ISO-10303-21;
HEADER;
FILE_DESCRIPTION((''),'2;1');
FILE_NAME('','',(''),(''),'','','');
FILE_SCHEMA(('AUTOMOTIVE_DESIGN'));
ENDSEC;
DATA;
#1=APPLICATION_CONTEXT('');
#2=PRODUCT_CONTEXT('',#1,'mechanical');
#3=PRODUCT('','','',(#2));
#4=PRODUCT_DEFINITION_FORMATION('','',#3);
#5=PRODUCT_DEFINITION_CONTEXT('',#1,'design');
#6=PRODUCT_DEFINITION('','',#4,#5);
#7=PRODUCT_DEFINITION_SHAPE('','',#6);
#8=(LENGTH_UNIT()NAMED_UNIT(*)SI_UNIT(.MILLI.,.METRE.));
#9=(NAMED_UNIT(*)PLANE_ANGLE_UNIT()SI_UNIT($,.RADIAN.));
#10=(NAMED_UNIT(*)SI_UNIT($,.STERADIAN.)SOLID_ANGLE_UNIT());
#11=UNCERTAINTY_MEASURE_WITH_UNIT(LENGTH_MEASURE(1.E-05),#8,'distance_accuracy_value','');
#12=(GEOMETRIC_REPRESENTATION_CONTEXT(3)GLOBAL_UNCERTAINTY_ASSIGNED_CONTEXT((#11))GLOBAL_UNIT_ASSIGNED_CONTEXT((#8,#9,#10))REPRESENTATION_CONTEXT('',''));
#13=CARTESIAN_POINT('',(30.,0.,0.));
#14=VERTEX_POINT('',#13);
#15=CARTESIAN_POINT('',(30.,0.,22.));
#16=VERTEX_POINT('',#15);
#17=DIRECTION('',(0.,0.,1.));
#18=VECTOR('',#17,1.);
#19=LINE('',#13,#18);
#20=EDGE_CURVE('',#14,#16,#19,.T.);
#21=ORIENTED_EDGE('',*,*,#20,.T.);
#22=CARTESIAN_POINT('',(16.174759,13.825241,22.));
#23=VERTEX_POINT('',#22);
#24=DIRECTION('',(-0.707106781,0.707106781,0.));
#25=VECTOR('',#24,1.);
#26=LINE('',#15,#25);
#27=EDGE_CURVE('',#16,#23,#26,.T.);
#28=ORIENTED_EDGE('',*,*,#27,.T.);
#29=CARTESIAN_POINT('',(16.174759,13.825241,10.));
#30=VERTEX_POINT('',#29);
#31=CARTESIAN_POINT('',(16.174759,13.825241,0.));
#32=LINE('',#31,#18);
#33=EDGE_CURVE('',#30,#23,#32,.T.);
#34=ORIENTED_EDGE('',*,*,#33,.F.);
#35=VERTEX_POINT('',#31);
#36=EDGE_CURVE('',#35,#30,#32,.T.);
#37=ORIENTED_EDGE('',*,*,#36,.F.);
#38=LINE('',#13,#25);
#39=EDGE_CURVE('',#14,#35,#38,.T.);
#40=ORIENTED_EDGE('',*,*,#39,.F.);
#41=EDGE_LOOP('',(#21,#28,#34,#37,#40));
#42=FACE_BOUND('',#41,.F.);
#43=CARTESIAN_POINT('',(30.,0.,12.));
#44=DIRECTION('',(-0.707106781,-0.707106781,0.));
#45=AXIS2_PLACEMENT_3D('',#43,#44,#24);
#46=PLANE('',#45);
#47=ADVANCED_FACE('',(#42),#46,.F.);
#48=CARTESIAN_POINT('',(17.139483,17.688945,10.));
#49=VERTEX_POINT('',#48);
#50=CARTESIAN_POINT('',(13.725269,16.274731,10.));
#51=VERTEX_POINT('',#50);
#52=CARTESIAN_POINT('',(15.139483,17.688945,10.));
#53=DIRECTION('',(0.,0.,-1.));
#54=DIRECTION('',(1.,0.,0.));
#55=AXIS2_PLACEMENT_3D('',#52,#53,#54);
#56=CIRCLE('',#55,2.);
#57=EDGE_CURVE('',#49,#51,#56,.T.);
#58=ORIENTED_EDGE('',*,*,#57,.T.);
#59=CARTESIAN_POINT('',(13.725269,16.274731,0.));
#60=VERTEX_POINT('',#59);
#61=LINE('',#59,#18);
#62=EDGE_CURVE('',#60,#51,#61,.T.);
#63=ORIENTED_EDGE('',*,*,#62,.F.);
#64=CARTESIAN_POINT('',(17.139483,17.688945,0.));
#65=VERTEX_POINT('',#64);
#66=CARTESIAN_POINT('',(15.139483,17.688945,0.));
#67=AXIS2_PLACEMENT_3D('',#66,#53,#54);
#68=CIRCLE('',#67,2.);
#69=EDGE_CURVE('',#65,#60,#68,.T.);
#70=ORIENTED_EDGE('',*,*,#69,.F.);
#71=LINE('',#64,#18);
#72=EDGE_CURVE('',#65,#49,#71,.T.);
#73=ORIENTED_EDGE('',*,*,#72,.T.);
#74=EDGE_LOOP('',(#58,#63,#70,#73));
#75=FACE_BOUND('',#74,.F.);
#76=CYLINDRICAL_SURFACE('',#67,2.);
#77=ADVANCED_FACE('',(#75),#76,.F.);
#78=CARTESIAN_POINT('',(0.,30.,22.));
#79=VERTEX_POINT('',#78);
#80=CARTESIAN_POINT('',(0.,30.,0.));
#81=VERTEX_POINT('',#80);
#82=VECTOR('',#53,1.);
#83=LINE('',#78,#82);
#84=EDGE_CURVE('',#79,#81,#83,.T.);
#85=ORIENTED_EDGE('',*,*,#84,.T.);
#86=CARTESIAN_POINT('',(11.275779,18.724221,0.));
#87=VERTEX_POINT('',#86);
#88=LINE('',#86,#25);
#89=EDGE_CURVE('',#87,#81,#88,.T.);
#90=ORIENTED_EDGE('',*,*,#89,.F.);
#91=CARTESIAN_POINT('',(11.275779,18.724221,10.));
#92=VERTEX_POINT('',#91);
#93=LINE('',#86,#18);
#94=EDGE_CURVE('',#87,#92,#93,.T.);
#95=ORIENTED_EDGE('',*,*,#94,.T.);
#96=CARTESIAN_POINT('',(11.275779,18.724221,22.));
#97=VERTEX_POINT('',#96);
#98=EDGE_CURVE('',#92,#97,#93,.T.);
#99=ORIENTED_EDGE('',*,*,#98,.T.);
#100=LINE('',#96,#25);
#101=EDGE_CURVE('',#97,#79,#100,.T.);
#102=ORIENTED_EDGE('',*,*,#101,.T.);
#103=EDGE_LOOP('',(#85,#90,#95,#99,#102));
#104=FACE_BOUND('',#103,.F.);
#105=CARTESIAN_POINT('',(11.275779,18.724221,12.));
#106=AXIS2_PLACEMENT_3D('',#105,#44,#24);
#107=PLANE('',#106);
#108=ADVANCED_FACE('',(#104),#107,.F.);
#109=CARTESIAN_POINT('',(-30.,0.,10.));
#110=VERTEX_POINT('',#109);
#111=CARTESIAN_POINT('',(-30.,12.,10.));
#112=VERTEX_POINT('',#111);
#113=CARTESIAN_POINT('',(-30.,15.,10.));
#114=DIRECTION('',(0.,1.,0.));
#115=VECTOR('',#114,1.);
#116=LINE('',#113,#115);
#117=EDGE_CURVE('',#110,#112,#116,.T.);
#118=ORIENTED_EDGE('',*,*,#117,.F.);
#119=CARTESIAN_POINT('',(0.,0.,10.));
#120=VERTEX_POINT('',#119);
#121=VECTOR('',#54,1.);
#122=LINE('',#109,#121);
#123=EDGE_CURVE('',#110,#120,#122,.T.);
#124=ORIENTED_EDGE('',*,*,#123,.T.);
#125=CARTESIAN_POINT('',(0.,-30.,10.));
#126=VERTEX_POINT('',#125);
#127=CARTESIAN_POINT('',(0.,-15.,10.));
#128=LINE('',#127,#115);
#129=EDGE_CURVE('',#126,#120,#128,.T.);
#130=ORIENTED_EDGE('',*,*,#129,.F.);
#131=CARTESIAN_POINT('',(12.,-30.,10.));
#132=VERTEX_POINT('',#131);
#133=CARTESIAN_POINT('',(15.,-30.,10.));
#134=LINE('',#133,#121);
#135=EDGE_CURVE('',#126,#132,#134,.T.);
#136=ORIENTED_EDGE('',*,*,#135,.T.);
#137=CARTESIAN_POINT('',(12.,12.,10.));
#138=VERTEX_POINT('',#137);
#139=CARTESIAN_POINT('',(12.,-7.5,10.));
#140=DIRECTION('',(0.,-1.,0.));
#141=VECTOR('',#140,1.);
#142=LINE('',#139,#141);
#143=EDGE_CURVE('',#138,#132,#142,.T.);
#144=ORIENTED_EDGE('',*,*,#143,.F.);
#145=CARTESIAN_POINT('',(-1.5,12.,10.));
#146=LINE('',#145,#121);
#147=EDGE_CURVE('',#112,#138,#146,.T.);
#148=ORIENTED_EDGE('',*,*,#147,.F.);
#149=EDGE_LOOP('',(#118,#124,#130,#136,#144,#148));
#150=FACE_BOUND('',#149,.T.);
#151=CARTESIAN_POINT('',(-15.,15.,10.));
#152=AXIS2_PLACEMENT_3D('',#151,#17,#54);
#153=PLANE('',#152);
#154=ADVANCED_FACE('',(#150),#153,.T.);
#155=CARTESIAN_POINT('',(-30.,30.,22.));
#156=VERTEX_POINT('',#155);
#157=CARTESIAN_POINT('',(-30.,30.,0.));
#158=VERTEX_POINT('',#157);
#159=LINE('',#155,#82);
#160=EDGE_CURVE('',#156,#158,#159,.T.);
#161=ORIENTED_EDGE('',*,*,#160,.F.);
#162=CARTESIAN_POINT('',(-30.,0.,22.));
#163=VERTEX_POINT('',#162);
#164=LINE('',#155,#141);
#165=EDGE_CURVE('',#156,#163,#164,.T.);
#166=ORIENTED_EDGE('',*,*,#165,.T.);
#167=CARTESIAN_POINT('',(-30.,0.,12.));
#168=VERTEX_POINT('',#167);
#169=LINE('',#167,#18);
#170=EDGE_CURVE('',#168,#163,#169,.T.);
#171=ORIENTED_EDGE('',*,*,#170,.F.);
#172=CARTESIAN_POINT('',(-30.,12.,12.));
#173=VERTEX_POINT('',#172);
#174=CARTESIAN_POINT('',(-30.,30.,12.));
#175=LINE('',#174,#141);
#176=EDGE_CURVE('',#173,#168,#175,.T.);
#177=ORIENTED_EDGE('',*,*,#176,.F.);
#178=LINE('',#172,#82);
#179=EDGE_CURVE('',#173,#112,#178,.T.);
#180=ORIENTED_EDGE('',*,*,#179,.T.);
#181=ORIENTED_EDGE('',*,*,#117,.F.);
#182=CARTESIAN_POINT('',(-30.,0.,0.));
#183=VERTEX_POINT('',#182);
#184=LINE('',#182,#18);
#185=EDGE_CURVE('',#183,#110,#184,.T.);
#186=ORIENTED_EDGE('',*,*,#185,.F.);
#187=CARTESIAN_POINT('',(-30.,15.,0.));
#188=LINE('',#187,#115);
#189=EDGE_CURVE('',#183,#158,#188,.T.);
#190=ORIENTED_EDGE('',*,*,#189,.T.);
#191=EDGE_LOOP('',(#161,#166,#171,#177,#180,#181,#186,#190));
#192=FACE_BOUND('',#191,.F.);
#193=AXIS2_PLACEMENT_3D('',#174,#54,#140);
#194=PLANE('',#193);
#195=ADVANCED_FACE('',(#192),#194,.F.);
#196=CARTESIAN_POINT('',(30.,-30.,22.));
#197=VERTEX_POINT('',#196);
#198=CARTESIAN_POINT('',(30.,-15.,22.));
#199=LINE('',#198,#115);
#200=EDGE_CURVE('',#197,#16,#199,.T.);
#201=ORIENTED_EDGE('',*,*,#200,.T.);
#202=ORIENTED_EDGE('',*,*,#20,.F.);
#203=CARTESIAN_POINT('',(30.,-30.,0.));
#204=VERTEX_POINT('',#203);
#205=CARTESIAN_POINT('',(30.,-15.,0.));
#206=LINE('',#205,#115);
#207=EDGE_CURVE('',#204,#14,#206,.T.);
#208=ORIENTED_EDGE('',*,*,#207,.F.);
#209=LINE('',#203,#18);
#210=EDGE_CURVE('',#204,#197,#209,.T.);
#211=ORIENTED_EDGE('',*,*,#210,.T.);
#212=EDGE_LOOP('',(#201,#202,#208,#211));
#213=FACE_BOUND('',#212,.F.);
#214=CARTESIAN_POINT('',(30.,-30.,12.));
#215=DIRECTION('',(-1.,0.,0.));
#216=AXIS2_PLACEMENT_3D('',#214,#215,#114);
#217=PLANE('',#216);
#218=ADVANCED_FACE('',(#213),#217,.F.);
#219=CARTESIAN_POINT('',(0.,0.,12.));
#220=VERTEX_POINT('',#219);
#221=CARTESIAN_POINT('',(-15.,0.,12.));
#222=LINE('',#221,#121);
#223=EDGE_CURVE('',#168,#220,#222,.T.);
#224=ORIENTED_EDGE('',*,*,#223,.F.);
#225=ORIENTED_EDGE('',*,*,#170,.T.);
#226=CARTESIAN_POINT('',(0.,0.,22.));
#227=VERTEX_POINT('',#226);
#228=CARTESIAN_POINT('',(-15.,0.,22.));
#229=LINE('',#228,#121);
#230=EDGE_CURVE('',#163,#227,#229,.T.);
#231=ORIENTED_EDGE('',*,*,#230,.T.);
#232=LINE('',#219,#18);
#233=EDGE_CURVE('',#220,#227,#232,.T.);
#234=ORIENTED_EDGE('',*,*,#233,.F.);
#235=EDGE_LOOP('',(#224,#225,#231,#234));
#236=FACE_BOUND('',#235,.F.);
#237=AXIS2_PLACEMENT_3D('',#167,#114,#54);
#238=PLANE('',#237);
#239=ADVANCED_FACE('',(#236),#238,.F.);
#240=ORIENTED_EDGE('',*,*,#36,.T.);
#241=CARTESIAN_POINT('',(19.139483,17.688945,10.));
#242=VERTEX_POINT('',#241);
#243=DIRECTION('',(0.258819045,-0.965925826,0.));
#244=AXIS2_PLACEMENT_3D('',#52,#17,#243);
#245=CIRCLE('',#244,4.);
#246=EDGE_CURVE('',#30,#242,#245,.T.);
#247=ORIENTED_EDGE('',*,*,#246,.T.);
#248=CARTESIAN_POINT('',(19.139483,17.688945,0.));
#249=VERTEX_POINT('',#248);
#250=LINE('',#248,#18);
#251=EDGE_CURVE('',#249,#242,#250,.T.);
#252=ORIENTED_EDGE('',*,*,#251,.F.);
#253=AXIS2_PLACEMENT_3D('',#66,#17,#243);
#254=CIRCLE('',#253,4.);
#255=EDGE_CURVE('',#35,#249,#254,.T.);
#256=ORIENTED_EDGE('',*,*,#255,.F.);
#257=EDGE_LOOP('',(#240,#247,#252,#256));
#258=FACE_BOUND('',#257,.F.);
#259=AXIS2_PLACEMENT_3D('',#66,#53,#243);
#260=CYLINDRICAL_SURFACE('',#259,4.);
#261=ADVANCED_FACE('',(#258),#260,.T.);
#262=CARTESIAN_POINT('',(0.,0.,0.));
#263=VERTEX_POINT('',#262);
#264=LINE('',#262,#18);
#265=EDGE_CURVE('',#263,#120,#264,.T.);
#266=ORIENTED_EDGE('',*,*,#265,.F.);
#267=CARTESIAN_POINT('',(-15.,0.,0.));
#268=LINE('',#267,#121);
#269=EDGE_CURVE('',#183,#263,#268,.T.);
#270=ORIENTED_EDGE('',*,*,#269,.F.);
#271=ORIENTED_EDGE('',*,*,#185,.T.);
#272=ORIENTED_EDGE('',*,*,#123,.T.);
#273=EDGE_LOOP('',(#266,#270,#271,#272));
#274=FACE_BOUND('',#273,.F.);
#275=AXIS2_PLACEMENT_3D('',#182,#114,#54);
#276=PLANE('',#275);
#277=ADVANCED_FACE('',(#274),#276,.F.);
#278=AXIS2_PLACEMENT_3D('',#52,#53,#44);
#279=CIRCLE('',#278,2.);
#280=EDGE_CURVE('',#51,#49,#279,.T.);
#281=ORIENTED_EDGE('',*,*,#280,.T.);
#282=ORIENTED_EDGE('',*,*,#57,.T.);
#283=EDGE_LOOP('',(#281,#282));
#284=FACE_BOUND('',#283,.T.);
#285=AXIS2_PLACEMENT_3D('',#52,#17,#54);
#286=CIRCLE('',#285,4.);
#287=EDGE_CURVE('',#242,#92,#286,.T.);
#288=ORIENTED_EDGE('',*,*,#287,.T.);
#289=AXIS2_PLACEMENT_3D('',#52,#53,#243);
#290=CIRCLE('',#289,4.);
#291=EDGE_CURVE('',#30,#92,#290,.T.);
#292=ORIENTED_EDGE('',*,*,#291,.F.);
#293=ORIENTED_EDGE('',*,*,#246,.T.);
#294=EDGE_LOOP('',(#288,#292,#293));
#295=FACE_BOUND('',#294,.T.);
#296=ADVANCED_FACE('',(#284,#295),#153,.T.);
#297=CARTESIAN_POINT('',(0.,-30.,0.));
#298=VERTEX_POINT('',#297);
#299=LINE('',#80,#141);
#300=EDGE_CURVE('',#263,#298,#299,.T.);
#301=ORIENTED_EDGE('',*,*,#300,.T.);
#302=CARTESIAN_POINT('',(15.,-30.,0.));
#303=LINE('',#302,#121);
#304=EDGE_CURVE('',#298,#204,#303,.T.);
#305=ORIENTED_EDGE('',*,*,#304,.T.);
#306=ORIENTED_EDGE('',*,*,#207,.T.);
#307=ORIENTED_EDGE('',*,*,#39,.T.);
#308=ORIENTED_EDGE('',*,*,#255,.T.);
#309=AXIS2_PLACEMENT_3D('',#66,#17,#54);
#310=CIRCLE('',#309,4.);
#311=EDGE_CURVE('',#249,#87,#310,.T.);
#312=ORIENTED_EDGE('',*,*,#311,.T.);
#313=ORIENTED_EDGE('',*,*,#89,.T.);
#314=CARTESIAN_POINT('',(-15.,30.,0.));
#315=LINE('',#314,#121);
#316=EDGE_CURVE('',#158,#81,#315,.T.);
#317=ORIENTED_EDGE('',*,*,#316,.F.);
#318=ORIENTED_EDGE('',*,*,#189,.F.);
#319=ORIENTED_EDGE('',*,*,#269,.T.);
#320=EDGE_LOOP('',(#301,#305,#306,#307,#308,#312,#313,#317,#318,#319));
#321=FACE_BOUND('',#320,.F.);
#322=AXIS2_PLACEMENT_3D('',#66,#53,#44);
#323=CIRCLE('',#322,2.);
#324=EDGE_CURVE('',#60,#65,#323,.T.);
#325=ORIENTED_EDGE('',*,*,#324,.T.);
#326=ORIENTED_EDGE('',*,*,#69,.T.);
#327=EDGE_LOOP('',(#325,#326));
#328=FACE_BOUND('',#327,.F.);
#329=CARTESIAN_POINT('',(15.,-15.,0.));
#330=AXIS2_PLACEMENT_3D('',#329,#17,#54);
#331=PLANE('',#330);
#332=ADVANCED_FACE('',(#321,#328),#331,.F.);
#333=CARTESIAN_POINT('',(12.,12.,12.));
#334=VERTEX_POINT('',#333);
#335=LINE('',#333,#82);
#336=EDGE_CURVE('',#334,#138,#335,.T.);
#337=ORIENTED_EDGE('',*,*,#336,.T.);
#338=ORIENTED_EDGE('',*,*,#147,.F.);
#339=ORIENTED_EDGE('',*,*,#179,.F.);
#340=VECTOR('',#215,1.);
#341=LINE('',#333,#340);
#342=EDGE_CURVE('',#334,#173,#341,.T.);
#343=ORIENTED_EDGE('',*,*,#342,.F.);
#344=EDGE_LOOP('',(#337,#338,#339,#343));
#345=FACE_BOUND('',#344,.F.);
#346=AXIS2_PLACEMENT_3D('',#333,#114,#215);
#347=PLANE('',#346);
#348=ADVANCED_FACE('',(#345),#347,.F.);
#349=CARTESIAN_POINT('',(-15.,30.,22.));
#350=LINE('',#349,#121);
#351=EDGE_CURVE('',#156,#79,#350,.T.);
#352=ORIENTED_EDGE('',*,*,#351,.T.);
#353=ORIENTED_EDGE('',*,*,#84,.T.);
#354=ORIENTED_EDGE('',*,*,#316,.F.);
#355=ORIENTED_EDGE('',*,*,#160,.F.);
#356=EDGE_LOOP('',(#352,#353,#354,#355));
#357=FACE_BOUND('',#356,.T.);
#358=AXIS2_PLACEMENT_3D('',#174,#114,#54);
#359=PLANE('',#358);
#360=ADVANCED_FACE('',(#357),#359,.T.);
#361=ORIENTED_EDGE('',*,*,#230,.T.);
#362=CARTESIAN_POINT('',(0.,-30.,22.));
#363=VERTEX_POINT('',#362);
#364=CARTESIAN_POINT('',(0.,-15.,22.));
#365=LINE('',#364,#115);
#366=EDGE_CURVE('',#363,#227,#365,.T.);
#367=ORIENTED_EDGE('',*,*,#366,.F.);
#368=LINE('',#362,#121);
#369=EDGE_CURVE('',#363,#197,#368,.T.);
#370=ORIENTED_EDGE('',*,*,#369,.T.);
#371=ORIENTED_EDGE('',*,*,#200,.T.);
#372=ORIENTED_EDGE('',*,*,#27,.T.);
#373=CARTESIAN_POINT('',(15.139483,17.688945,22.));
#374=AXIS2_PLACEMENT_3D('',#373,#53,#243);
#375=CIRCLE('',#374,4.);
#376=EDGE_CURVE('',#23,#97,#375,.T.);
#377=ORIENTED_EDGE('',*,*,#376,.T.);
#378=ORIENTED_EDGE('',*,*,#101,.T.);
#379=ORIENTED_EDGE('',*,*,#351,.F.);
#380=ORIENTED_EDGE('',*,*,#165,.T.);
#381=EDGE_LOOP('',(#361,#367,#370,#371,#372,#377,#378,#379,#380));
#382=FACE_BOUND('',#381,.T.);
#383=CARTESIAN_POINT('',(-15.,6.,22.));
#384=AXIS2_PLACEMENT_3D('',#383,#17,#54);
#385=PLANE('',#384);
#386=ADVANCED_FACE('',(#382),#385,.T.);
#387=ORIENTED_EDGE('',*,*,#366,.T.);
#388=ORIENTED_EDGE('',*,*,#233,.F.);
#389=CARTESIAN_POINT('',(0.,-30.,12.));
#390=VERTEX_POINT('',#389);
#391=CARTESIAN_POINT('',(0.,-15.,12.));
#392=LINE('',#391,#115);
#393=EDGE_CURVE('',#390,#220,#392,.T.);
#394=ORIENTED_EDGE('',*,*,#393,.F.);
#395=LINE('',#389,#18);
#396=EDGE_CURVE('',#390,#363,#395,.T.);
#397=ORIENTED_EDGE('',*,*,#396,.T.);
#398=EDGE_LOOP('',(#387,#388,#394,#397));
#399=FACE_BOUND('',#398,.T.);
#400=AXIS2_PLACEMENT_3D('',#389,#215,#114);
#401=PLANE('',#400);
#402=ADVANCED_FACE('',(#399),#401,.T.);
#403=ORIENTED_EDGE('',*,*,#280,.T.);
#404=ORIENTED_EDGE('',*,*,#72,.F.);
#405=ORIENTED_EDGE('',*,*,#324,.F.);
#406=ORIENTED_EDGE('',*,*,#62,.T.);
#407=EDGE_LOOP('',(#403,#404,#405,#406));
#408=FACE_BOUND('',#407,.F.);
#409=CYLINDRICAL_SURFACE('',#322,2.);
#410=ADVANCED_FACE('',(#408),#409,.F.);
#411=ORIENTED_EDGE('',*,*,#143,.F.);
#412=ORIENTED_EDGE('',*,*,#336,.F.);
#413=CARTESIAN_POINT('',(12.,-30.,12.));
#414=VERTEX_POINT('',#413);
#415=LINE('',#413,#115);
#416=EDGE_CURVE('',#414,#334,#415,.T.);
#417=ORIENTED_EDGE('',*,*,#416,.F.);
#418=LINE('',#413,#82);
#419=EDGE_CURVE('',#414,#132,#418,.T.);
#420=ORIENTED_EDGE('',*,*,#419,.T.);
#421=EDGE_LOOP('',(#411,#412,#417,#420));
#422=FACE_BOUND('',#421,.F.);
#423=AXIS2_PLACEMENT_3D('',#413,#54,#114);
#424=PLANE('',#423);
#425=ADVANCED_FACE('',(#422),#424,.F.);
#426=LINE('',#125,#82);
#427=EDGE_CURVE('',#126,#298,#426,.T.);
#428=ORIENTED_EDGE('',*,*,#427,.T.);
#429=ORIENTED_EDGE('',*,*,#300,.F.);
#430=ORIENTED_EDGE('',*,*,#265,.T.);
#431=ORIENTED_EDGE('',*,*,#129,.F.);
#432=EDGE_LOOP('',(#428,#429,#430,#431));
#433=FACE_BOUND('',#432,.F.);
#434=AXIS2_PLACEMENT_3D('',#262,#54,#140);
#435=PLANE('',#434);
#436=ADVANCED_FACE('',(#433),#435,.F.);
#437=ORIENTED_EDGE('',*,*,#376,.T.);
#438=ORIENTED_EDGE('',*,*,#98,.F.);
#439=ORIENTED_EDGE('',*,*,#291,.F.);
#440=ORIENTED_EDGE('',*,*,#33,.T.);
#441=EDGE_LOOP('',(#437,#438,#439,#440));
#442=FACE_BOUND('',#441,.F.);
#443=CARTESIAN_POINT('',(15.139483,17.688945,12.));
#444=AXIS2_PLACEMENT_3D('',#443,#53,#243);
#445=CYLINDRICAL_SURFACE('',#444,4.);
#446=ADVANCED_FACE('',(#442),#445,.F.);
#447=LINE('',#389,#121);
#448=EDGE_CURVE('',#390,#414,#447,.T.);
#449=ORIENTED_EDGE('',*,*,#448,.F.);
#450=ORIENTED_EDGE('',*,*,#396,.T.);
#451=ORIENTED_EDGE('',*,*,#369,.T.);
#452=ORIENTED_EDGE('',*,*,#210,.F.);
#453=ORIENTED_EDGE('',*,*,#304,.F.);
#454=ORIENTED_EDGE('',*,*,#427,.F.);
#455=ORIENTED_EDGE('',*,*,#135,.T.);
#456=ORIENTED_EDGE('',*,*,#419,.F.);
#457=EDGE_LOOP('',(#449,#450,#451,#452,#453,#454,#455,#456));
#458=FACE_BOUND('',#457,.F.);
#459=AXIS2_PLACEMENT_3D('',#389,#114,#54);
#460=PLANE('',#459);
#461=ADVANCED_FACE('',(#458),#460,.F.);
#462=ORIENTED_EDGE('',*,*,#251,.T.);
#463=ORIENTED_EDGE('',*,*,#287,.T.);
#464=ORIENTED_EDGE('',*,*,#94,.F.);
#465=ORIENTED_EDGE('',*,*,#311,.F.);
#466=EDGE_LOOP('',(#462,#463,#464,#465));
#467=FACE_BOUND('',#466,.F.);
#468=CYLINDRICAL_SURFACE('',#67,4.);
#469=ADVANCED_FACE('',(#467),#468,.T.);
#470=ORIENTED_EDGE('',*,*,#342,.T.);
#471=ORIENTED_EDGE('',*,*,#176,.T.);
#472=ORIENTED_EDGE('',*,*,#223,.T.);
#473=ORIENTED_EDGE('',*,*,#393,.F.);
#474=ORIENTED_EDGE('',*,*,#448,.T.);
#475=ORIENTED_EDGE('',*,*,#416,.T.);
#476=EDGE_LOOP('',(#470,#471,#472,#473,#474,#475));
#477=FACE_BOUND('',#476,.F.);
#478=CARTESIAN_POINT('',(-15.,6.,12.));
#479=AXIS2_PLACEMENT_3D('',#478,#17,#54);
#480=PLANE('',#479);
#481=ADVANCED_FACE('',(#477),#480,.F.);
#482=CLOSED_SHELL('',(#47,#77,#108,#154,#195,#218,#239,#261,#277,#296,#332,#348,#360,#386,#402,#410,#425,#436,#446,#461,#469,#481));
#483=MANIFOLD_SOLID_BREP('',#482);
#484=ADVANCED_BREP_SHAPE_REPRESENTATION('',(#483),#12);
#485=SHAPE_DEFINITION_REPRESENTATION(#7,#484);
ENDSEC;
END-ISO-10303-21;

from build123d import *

# Parameters (mm, degrees)
F0_W     = 30
F0_H     = 30
F1_DEPTH = 12
F2_W     = 12
F2_H     = 30
F2_H_2   = 12
F2_W_2   = 30
F3_DEPTH = 3.5
F4_W     = 30
F4_H     = 12
F4_W_2   = 12
F4_H_2   = 30
F4_H_3   = 18
F4_W_3   = 18
F5_DEPTH = 10
F6_DEPTH = 10


with BuildPart() as f1:
    # F0 (on Top) → F1 (new body)
    with BuildSketch(Plane.XY):
        with Locations((15, -15)):
            Rectangle(F0_W, F0_H)
        with BuildLine():
            Line((0, 30), (0, 0))
            Line((0, 0), (30, 0))
            Line((30, 0), (16.1747587326, 13.8252412674))
            ThreePointArc((16.1747587326, 13.8252412674), (12.3110554274, 14.8605174478), (11.275779247, 18.724220753))
            Line((11.275779247, 18.724220753), (0, 30))
        make_face()
        with Locations((-15, 15)):
            Rectangle(F0_W, F0_H)
    extrude(amount=F1_DEPTH)

    # F2 (on face) → F3 (cut)
    with BuildSketch(Plane.XY.offset(12)):
        with Locations((6, -15)):
            Rectangle(F2_W, F2_H)
        with Locations((6, 6)):
            Rectangle(F2_W, F2_H_2)
        with Locations((-15, 6)):
            Rectangle(F2_W_2, F2_H_2)
    extrude(amount=-F3_DEPTH, mode=Mode.SUBTRACT)

    # F4 (on face) → F5 (join)
    with BuildSketch(Plane.XY.offset(12)):
        with Locations((-15, 6)):
            Rectangle(F4_W, F4_H)
        with Locations((6, -15)):
            Rectangle(F4_W_2, F4_H_2)
        with BuildLine():
            Line((11.275779247, 18.724220753), (0, 30))
            Line((0, 30), (0, 12))
            Line((0, 12), (12, 12))
            Line((12, 12), (12, 0))
            Line((12, 0), (30, 0))
            Line((30, 0), (16.1747587326, 13.8252412674))
            ThreePointArc((16.1747587326, 13.8252412674), (12.3110554274, 14.8605174478), (11.275779247, 18.724220753))
        make_face()
        with Locations((6, 6)):
            Rectangle(F4_W_2, F4_H)
        with Locations((-15, 21)):
            Rectangle(F4_W, F4_H_3)
        with Locations((21, -15)):
            Rectangle(F4_W_3, F4_H_2)
    extrude(amount=F5_DEPTH)

    # F0 (on Top) → F6 (join)
    with BuildSketch(Plane.XY):
        with Locations((-15, 15)):
            Rectangle(F0_W, F0_H)
        with BuildLine():
            Line((0, 30), (0, 0))
            Line((0, 0), (30, 0))
            Line((30, 0), (16.1747587326, 13.8252412674))
            ThreePointArc((16.1747587326, 13.8252412674), (12.3110554274, 14.8605174478), (11.275779247, 18.724220753))
            Line((11.275779247, 18.724220753), (0, 30))
        make_face()
        with Locations((15, -15)):
            Rectangle(F0_W, F0_H)
        with BuildLine():
            ThreePointArc((19.1394825522, 17.6889445726), (15.6615873211, 21.6547240181), (11.275779247, 18.724220753))
            Line((11.275779247, 18.724220753), (13.7252689898, 16.2747310102))
            Line((13.7252689898, 16.2747310102), (16.1747587326, 13.8252412674))
            ThreePointArc((16.1747587326, 13.8252412674), (18.3128959133, 15.2538988565), (19.1394825522, 17.6889445726))
        make_face()
        with BuildLine():
            ThreePointArc((17.1394825522, 17.6889445726), (15.9048494169, 15.8411855075), (13.7252689898, 16.2747310102))
            ThreePointArc((13.7252689898, 16.2747310102), (14.3741156874, 19.5367036376), (17.1394825522, 17.6889445726))
        make_face(mode=Mode.SUBTRACT)
        with BuildLine():
            Line((13.7252689898, 16.2747310102), (11.275779247, 18.724220753))
            ThreePointArc((11.275779247, 18.724220753), (12.3110554274, 14.8605174478), (16.1747587326, 13.8252412674))
            Line((16.1747587326, 13.8252412674), (13.7252689898, 16.2747310102))
        make_face()
    extrude(amount=F6_DEPTH)


solid = f1.part
